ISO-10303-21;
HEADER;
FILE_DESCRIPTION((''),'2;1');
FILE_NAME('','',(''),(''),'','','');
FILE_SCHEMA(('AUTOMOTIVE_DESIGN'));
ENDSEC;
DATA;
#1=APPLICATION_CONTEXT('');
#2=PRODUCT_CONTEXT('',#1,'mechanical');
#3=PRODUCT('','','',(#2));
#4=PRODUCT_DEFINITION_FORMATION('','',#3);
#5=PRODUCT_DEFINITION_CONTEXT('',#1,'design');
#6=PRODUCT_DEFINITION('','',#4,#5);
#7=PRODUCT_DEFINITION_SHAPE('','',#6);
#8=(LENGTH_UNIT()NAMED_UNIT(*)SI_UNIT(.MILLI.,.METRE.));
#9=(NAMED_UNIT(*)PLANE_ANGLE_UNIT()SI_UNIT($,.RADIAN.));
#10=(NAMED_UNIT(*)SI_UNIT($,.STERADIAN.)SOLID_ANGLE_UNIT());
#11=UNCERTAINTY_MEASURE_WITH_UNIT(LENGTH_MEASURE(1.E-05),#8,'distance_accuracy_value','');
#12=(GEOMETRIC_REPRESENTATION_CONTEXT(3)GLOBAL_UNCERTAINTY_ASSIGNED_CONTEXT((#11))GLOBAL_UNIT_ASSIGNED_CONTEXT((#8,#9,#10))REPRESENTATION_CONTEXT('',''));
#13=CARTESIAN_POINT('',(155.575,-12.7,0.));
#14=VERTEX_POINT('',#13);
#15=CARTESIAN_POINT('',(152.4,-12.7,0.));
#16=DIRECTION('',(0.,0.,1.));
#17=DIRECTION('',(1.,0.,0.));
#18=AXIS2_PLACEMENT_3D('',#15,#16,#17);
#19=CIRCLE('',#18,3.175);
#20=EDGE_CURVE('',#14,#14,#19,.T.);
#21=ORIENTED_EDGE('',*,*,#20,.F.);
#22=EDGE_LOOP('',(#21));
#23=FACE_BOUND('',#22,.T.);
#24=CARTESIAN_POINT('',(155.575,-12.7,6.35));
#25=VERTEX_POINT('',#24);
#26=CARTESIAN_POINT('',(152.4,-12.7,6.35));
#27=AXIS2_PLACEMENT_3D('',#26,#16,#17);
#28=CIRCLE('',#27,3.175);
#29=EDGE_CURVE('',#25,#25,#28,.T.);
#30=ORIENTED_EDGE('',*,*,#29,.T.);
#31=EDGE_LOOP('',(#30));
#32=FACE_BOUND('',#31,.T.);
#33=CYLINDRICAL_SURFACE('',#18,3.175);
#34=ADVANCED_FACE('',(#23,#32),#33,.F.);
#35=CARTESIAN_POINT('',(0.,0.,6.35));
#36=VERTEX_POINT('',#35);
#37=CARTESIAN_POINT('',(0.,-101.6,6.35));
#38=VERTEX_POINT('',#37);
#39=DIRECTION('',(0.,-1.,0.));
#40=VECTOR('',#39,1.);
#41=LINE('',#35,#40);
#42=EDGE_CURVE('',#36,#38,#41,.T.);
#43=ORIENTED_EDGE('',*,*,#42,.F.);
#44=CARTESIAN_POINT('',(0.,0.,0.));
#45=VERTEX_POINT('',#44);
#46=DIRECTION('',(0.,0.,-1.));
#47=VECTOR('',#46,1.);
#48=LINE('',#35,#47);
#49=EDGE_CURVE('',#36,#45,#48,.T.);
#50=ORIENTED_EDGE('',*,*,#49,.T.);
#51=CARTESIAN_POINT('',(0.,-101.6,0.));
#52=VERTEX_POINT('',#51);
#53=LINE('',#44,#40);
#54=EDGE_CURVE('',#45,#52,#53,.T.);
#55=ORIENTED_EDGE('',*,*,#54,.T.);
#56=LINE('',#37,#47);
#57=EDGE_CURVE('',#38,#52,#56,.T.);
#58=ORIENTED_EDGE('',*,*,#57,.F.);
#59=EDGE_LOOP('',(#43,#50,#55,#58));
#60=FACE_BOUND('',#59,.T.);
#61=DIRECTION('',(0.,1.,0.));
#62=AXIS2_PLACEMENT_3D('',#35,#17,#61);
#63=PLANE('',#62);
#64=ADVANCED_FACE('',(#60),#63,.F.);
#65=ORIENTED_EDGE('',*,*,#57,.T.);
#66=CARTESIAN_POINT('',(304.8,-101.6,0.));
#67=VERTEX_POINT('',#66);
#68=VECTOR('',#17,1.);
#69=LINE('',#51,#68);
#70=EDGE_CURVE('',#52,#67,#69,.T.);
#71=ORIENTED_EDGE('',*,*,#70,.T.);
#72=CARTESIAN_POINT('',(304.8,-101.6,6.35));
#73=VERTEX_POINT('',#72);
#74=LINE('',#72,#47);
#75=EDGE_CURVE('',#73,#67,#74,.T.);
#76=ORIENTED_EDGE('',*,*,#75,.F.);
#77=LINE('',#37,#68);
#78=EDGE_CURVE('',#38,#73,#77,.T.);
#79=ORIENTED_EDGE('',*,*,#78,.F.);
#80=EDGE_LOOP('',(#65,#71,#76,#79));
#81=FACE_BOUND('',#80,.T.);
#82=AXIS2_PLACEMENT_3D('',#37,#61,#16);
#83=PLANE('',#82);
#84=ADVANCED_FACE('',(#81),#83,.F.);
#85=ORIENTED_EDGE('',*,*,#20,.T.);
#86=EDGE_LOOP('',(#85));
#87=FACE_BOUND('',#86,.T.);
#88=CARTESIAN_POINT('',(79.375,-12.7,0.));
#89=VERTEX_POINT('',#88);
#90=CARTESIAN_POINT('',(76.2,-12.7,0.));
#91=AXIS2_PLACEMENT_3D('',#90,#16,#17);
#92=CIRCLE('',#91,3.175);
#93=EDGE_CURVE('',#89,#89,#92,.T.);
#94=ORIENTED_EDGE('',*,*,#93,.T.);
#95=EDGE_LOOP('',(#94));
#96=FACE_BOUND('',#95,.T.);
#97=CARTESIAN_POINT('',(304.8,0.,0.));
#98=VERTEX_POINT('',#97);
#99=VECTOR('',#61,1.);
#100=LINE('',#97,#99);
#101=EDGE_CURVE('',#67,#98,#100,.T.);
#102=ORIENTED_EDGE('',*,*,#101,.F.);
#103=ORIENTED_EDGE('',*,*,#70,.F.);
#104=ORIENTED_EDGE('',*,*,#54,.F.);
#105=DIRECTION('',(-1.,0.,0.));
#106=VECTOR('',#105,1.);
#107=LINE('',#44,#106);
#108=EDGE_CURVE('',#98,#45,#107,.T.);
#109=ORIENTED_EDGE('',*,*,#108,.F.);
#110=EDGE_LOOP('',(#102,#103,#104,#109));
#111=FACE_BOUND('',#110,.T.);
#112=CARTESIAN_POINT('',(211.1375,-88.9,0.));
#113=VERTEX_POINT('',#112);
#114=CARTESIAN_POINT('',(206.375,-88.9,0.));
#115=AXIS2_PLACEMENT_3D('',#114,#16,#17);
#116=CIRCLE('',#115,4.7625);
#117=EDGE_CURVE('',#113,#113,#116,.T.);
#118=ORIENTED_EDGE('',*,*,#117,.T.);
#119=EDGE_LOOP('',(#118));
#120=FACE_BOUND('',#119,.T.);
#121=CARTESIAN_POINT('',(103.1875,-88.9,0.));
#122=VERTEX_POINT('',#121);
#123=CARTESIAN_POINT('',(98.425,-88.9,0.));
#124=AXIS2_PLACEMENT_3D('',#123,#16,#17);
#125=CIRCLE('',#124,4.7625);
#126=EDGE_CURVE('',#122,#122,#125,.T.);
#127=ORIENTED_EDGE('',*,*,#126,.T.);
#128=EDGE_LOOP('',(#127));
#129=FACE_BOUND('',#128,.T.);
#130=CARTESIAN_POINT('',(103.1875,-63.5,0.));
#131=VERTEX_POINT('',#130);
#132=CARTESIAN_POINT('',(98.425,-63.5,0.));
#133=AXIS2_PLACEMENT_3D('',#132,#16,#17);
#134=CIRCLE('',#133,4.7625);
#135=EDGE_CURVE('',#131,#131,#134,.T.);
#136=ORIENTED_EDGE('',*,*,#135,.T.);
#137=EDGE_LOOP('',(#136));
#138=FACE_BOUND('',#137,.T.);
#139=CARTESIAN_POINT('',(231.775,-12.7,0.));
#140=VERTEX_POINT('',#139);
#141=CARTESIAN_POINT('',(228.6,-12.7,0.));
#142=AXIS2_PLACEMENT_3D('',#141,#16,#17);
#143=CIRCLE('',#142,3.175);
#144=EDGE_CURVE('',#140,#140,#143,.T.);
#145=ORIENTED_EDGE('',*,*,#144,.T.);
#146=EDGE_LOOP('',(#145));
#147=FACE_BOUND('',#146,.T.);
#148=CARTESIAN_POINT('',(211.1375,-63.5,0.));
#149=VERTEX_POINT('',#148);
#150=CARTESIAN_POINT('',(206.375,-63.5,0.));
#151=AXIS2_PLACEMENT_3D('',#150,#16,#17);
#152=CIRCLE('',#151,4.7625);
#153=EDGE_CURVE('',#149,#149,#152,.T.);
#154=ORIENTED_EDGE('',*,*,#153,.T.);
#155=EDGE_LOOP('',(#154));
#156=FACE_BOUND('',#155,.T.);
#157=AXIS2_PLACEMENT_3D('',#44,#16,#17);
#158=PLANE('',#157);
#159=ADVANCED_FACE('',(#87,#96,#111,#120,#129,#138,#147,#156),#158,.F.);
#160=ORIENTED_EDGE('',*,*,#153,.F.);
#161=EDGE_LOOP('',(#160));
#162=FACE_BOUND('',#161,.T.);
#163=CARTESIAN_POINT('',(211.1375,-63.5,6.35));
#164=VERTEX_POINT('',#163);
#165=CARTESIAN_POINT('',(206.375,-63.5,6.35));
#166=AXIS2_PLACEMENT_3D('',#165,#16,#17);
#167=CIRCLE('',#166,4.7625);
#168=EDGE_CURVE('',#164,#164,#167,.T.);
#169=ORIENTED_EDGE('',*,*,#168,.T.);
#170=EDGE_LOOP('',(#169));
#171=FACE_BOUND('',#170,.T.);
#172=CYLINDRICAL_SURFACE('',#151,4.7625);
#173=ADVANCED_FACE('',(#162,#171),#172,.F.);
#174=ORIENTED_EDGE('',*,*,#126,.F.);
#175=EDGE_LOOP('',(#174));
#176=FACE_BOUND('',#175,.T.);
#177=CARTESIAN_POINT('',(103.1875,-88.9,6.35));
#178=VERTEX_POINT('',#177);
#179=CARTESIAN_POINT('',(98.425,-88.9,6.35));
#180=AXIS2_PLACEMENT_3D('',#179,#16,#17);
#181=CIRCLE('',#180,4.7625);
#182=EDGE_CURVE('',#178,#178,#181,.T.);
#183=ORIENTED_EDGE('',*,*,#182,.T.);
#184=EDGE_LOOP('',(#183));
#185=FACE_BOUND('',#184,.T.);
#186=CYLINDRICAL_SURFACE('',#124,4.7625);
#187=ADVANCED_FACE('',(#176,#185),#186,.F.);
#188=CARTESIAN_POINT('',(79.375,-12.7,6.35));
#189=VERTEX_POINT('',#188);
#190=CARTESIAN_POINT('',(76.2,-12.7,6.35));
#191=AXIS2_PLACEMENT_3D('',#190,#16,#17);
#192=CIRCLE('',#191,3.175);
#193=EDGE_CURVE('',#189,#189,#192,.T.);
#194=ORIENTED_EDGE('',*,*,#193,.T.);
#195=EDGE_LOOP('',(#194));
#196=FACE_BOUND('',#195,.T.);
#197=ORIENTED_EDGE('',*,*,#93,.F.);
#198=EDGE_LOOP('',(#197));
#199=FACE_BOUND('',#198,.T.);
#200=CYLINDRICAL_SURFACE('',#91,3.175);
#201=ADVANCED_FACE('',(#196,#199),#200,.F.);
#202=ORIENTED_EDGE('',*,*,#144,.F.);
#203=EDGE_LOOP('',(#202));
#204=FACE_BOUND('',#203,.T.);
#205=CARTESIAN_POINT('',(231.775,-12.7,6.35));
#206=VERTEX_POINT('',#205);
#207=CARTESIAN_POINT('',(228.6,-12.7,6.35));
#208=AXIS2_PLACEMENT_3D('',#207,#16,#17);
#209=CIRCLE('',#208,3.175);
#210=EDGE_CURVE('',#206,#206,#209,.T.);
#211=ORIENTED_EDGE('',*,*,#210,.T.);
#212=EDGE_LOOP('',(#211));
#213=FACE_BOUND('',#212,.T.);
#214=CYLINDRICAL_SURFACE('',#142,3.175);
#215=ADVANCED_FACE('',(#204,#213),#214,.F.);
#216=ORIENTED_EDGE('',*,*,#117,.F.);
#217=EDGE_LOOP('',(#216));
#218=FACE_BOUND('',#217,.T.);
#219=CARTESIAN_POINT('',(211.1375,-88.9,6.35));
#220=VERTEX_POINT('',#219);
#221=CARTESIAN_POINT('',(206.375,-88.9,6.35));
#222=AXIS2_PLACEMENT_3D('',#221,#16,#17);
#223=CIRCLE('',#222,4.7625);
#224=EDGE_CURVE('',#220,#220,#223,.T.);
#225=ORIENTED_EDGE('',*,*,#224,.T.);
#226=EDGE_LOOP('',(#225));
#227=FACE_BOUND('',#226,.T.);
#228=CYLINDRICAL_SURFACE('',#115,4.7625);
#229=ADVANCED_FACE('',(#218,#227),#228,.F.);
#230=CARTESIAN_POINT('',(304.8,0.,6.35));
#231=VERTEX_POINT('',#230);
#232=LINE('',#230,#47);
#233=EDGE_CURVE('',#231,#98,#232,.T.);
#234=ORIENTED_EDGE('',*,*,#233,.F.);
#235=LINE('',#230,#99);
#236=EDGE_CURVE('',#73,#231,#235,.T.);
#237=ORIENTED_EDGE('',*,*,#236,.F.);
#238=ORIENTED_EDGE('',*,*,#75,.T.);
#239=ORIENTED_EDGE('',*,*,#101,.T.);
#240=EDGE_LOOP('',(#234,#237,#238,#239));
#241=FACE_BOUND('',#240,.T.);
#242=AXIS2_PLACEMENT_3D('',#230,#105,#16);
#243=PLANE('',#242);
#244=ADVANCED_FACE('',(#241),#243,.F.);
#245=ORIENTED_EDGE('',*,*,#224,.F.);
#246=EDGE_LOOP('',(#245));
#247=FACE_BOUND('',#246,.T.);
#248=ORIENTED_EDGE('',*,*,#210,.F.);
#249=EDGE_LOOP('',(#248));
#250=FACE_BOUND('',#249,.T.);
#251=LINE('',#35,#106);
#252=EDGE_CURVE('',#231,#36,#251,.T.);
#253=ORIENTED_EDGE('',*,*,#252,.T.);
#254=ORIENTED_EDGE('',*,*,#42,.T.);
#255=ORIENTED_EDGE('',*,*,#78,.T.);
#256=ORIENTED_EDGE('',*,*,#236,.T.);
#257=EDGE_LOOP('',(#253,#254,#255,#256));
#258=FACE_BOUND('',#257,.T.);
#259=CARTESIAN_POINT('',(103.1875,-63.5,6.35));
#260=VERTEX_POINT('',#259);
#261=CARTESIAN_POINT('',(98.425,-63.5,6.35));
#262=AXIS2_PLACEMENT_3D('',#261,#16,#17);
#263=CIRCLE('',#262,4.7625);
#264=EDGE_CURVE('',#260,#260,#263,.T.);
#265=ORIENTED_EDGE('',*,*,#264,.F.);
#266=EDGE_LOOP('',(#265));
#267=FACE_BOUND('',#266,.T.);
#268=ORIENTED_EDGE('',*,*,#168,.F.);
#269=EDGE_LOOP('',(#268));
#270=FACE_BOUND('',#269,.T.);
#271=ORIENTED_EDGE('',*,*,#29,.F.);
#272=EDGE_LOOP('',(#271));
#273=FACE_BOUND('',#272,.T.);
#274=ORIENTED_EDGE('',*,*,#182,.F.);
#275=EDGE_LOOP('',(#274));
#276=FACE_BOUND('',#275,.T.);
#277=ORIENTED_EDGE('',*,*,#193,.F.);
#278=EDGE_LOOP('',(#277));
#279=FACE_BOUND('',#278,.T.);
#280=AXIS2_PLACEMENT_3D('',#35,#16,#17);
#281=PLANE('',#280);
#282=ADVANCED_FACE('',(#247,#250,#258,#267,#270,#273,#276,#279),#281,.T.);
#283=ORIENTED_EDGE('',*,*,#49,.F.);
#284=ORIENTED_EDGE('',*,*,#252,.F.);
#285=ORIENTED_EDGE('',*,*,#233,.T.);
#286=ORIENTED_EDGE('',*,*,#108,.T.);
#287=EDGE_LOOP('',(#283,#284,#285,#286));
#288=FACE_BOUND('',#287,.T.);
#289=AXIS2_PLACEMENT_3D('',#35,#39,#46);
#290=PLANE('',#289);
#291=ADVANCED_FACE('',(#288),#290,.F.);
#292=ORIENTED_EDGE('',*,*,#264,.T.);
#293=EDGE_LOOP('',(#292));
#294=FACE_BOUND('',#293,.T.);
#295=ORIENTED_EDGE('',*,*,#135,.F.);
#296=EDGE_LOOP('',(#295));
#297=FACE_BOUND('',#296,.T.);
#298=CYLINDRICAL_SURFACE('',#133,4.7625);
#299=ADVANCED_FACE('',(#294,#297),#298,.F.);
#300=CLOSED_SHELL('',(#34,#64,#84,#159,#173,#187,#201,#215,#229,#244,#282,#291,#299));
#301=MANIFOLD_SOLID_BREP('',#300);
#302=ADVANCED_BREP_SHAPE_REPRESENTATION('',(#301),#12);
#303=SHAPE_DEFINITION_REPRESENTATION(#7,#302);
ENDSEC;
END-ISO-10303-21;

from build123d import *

# Parameters (mm, degrees)
SKETCH1_W           = 304.8
SKETCH1_H           = 101.6
BOSS_EXTRUDE1_DEPTH = 6.35
SKETCH2_R           = 3.175
SKETCH2_R_2         = 4.7625
CUT_EXTRUDE1_DEPTH  = 6.35


with BuildPart() as part:
    # Sketch1 → Boss-Extrude1 (new body)
    with BuildSketch(Plane.XY):
        with Locations((152.4, -50.8)):
            Rectangle(SKETCH1_W, SKETCH1_H)
    extrude(amount=BOSS_EXTRUDE1_DEPTH)

    # Sketch2 → Cut-Extrude1 (cut)
    with BuildSketch(Plane.XY.offset(6.35)):
        with Locations((76.2, -12.7)):
            Circle(SKETCH2_R)
        with Locations((152.4, -12.7)):
            Circle(SKETCH2_R)
        with Locations((228.6, -12.7)):
            Circle(SKETCH2_R)
        with Locations((98.425, -63.5)):
            Circle(SKETCH2_R_2)
        with Locations((206.375, -63.5)):
            Circle(SKETCH2_R_2)
        with Locations((98.425, -88.9)):
            Circle(SKETCH2_R_2)
        with Locations((206.375, -88.9)):
            Circle(SKETCH2_R_2)
    extrude(amount=-CUT_EXTRUDE1_DEPTH, mode=Mode.SUBTRACT)


solid = part.part
